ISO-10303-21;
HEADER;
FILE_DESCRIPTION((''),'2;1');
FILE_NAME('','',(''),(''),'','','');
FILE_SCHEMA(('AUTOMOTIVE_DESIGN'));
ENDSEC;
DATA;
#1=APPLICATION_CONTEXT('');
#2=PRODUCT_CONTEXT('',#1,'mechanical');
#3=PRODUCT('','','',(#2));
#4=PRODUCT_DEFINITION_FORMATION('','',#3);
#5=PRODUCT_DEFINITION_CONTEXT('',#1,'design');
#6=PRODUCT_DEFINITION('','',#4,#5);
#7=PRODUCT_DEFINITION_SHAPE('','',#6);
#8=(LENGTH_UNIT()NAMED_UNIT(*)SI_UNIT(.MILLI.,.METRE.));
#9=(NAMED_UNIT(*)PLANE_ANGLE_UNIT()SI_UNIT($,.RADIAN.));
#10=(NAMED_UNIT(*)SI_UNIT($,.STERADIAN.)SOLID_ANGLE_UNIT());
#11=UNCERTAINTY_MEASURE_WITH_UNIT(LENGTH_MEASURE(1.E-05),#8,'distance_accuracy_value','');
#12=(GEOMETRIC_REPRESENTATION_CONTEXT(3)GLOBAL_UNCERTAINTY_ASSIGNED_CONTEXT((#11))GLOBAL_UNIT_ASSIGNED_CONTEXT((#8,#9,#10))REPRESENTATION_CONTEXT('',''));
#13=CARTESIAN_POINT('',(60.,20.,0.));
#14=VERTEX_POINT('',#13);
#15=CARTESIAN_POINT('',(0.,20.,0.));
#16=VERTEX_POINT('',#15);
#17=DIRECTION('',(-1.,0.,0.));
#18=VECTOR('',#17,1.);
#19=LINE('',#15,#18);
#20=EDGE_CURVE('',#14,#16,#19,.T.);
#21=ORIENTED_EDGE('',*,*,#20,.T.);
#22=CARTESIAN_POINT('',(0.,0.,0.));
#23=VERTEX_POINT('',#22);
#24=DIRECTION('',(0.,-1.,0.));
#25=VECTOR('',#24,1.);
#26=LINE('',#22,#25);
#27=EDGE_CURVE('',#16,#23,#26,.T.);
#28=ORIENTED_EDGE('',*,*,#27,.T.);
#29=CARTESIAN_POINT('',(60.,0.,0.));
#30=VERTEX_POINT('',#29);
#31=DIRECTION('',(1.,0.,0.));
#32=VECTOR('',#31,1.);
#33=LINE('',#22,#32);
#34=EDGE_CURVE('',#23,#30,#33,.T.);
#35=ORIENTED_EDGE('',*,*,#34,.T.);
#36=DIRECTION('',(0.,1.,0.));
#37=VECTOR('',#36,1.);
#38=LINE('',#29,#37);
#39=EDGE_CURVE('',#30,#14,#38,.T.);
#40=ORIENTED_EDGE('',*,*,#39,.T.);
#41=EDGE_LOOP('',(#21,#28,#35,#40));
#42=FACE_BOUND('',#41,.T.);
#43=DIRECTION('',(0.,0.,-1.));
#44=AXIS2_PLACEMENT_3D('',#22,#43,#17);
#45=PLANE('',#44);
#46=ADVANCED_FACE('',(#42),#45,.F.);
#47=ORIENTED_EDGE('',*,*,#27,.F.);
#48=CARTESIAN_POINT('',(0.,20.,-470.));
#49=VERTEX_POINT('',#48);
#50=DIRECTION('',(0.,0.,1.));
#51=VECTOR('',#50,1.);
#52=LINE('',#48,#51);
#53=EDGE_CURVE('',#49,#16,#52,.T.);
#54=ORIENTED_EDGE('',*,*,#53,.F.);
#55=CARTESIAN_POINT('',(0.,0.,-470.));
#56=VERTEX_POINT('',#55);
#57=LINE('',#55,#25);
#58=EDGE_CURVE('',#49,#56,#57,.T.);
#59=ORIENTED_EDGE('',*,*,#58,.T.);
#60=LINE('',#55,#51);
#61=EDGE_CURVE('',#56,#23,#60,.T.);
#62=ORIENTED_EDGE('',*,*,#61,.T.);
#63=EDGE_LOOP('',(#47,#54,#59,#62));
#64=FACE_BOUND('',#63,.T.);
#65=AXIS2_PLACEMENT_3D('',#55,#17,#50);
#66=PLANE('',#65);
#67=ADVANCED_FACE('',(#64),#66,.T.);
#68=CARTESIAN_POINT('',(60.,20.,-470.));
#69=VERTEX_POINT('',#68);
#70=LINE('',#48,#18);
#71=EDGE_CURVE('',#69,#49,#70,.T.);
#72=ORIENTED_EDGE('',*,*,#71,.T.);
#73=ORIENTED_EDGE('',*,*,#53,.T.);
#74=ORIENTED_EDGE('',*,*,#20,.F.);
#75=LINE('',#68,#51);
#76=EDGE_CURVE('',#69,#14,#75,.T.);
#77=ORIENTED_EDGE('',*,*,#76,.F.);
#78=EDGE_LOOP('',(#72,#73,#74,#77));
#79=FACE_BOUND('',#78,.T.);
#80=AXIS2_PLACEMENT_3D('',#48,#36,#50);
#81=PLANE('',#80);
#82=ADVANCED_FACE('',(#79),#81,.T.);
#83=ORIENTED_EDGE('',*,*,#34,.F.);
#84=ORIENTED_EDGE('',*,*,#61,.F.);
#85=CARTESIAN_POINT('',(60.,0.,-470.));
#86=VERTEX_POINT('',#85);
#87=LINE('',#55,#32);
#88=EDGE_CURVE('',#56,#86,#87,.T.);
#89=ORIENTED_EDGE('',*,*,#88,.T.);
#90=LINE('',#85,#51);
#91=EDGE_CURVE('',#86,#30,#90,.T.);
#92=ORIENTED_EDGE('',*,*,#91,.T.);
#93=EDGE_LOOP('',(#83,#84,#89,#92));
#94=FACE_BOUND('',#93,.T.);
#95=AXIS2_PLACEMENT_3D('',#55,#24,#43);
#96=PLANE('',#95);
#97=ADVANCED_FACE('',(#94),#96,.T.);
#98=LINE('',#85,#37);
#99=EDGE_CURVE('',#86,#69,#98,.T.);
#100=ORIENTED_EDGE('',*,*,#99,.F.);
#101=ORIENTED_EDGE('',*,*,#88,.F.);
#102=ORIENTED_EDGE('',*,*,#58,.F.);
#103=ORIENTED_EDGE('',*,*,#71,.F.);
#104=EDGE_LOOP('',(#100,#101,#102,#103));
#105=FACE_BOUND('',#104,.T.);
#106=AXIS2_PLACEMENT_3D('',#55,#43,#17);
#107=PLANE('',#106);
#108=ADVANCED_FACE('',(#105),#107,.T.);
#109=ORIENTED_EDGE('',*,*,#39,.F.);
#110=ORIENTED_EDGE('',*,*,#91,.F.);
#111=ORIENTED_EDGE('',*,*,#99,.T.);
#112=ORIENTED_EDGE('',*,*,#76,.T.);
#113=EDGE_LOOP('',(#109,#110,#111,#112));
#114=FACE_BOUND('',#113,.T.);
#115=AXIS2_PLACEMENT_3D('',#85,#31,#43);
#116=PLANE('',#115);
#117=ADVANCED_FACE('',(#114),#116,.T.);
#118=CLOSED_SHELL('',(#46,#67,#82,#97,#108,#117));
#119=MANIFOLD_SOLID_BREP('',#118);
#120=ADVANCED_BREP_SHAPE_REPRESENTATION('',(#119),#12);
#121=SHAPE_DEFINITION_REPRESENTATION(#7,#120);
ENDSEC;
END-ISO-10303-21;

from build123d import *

# Parameters (mm, degrees)
SKETCH_1_W      = 60
SKETCH_1_H      = 20
EXTRUDE_1_DEPTH = 470


with BuildPart() as part:
    # Эскиз1 → Бобышка-Вытянуть1 (new body)
    with BuildSketch(Plane.XY):
        with Locations((30, 10)):
            Rectangle(SKETCH_1_W, SKETCH_1_H)
    extrude(amount=-EXTRUDE_1_DEPTH)


solid = part.part
